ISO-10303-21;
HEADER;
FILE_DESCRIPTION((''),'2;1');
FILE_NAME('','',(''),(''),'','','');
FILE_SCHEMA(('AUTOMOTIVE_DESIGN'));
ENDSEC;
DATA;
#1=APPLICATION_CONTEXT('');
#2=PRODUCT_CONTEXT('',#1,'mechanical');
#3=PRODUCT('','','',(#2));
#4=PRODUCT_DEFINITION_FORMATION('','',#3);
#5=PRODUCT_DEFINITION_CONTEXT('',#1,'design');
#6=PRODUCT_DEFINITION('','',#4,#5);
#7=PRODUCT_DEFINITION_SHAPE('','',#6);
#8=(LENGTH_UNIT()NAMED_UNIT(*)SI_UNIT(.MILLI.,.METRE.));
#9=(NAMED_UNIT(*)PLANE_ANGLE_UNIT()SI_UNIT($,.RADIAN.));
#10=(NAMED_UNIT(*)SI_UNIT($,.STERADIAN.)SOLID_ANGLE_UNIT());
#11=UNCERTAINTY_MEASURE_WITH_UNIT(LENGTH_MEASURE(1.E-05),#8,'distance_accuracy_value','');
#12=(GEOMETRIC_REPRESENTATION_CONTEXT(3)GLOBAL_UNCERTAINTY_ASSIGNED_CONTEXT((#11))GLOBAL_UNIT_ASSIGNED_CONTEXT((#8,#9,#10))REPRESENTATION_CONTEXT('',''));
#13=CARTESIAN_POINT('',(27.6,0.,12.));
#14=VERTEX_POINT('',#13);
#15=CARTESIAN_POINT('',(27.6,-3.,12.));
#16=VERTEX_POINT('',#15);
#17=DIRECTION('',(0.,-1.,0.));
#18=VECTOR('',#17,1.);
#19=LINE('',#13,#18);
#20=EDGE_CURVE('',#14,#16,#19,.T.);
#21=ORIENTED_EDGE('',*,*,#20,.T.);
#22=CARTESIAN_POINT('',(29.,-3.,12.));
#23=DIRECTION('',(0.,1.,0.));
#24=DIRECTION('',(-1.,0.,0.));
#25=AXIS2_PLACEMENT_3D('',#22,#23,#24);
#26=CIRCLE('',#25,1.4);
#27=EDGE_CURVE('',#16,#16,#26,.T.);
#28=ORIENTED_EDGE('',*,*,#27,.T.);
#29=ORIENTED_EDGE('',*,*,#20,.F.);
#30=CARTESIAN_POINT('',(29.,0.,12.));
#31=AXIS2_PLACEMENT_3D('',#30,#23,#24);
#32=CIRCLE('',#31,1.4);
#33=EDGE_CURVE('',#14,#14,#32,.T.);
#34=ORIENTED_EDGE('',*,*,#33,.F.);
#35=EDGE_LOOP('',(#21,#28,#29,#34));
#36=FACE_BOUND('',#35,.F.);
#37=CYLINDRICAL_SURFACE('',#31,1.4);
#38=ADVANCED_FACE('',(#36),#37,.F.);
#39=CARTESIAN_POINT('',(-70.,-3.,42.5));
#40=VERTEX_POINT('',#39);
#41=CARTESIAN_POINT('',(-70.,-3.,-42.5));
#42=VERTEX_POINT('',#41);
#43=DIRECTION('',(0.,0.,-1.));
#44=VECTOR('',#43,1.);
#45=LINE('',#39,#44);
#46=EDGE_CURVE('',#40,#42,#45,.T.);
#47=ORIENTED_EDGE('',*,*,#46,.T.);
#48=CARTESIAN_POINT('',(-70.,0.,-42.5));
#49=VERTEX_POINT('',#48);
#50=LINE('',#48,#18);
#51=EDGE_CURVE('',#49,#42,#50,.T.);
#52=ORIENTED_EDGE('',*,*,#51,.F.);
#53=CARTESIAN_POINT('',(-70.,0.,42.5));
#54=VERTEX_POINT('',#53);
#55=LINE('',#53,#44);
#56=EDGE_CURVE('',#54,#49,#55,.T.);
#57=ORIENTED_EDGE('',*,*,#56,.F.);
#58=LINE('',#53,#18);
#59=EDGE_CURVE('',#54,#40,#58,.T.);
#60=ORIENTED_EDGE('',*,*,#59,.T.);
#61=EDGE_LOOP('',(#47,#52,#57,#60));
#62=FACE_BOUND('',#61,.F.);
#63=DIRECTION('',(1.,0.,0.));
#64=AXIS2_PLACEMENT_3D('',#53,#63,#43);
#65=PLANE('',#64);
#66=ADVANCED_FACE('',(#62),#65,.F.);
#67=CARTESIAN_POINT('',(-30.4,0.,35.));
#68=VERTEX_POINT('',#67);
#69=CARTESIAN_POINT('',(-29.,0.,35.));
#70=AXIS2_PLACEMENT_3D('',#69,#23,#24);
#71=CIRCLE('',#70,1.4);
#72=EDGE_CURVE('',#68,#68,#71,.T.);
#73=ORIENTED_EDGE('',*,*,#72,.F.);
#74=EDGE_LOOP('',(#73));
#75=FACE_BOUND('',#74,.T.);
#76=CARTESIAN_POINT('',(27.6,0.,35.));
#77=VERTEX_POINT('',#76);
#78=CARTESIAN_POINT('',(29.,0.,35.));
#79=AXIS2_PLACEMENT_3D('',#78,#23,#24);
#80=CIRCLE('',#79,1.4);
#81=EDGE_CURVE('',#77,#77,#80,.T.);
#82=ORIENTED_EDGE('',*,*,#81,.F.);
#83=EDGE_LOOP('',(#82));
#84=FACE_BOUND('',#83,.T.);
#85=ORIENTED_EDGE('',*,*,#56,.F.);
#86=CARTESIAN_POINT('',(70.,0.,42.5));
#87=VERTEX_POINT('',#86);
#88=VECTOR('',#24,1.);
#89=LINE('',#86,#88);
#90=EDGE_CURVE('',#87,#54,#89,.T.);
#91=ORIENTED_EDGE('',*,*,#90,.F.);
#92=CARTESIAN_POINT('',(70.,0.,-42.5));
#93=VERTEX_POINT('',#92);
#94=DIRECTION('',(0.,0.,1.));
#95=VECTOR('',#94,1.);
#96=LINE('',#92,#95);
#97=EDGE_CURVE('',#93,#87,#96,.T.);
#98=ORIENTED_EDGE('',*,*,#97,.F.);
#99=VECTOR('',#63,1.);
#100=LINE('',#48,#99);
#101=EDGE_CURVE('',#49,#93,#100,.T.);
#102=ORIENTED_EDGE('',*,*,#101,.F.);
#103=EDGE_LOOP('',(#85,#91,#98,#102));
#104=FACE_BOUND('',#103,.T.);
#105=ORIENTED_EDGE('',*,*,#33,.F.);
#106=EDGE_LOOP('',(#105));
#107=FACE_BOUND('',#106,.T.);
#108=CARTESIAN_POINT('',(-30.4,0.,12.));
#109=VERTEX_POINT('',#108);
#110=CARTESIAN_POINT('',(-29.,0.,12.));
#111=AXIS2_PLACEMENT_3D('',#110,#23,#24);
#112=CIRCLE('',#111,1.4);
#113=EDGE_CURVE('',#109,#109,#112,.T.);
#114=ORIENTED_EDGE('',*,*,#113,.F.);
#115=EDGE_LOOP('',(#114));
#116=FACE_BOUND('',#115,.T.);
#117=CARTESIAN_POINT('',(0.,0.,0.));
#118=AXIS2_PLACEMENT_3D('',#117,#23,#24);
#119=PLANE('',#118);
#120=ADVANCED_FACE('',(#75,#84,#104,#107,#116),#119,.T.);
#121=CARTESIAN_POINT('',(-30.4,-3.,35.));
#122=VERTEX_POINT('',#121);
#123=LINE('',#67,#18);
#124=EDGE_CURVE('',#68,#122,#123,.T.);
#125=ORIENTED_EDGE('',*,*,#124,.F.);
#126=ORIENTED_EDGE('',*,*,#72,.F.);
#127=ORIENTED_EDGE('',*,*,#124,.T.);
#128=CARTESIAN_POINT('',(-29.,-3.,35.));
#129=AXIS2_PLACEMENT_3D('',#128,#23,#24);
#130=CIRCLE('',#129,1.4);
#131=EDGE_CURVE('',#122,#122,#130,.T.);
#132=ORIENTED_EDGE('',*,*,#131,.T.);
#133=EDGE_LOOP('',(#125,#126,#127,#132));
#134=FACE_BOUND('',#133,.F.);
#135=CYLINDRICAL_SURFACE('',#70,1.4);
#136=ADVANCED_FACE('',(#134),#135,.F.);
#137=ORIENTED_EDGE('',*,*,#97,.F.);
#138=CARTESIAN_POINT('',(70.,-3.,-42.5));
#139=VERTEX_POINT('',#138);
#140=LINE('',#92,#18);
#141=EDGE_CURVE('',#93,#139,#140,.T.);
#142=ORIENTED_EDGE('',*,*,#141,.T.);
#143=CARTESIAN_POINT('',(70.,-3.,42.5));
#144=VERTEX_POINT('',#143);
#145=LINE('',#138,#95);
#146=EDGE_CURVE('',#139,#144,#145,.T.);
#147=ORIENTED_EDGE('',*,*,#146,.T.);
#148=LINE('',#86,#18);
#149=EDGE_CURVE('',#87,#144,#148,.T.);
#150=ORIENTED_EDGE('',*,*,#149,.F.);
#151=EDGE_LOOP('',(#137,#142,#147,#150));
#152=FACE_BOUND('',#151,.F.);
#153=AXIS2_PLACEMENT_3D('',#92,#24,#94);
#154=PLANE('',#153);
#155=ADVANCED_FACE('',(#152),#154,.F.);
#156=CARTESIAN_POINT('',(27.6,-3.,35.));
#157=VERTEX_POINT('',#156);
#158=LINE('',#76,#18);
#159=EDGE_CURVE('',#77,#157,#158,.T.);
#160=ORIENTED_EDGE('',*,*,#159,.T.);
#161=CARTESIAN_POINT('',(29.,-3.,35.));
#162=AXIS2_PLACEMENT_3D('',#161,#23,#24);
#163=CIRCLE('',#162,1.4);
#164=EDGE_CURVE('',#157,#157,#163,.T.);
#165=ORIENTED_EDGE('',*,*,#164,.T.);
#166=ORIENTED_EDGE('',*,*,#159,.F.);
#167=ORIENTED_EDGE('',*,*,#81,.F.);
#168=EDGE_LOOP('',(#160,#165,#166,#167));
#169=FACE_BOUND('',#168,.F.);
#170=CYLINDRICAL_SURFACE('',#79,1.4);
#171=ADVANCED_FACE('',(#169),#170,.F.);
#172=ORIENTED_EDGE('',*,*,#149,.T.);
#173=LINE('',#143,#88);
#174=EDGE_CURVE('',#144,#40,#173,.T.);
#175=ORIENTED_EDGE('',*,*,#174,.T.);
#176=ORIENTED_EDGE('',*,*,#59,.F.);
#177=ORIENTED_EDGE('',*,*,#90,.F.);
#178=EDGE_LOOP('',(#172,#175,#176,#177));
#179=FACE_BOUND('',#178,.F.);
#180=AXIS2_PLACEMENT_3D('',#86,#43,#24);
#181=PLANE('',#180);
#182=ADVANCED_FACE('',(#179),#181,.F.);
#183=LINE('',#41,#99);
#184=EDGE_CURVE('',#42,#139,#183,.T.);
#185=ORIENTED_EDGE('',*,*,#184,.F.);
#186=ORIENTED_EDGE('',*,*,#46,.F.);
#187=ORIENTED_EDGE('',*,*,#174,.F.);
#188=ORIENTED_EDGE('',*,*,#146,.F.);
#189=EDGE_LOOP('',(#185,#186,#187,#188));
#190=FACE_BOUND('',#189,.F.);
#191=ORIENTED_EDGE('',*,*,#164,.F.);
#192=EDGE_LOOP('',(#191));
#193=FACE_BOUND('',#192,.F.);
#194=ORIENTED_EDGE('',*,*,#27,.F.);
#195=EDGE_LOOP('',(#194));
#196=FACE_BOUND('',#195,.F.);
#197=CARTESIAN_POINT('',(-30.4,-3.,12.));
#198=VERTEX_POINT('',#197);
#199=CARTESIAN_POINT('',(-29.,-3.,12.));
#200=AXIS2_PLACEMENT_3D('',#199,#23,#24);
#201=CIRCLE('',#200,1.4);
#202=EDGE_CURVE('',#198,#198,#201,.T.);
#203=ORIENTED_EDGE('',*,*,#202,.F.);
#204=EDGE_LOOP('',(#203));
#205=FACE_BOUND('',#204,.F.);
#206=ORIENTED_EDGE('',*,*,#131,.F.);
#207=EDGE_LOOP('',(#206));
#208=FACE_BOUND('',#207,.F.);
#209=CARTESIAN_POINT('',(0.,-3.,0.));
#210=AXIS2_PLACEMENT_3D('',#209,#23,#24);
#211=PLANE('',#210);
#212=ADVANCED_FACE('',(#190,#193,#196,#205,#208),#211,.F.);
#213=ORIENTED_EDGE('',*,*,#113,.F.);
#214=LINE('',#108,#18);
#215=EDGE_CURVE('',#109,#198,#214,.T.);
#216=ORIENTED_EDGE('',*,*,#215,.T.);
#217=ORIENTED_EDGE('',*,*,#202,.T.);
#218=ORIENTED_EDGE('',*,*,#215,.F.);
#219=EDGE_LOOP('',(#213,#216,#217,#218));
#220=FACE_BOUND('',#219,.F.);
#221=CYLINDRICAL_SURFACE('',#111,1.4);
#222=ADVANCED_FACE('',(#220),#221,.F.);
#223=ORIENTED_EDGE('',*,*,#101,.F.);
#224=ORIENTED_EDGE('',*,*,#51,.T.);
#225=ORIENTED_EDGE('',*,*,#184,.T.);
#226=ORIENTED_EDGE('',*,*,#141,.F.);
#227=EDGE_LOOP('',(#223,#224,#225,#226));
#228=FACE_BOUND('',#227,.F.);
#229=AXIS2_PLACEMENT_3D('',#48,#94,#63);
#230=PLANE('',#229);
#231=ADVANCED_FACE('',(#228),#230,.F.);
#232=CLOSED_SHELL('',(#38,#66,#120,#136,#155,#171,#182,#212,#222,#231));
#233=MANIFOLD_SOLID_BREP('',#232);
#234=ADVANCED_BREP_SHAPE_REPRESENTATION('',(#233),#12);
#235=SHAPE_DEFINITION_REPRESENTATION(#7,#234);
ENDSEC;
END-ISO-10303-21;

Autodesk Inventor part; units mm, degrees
ref_plane "YZ Plane" through (0, 0, 0) normal (1, 0, 0) x (0, 1, 0)
ref_plane "XZ Plane" through (0, 0, 0) normal (0, 1, 0) x (-1, 0, 0)
ref_plane "XY Plane" through (0, 0, 0) normal (0, 0, 1) x (1, 0, 0)
sketch "Sketch1" plane through (0, 0, 0) normal (0, 1, 0) x (-1, 0, 0)
  line L0 (70, -42.5) -> (-70, -42.5)
  line L1 (-70, -42.5) -> (-70, 42.5)
  line L2 (-70, 42.5) -> (70, 42.5)
  line L3 (70, 42.5) -> (70, -42.5)
  line L4 (70, -42.5) -> (-70, 42.5) construction
  line L5 (-70, -42.5) -> (70, 42.5) construction
  point P0 (0, 0)
  point P1 (0, 0)
  point P2 (0, 0)
  dimension "d0" = 140
  dimension "d1" = 85
extrude "Lid" add sketch "Sketch1" against normal blind 3
sketch "Sketch2" plane through (0, 0, 0) normal (0, 1, 0) x (-1, 0, 0)
  line L0 (29, 12) -> (-29, 12) construction
  line L1 (-29, 12) -> (-29, 35) construction
  line L2 (-29, 35) -> (29, 35) construction
  line L3 (29, 35) -> (29, 12) construction
  line L4 (29, 12) -> (-29, 35) construction
  line L5 (-29, 12) -> (29, 35) construction
  circle A0 centre (29, 12) radius 1.4
  circle A1 centre (-29, 12) radius 1.4
  circle A2 centre (-29, 35) radius 1.4
  circle A3 centre (29, 35) radius 1.4
  point P0 (0, 0)
  point P1 (0, 0)
  point P2 (0, 23.5)
  point P3 (0, 23.5)
  point P4 (0, 23.5)
  dimension "d4" = 23
  dimension "d5" = 58
  dimension "d6" = 12
  dimension "d7" = 2.8
extrude "M3_Mount_Holes" cut sketch "Sketch2" along normal through all both and the other way through all
equation "\"d1\" = 0.607143 * d0"
equation "\"d2\" = 0.0214286 * d0"
equation "\"d4\" = 0.164286 * d0"
equation "\"d5\" = 0.414286 * d0"
equation "\"d6\" = 0.0857143 * d0"
equation "\"d7\" = 0.02 * d0"
properties part number "Top-Lid" material "Polycarbonate, Clear"
